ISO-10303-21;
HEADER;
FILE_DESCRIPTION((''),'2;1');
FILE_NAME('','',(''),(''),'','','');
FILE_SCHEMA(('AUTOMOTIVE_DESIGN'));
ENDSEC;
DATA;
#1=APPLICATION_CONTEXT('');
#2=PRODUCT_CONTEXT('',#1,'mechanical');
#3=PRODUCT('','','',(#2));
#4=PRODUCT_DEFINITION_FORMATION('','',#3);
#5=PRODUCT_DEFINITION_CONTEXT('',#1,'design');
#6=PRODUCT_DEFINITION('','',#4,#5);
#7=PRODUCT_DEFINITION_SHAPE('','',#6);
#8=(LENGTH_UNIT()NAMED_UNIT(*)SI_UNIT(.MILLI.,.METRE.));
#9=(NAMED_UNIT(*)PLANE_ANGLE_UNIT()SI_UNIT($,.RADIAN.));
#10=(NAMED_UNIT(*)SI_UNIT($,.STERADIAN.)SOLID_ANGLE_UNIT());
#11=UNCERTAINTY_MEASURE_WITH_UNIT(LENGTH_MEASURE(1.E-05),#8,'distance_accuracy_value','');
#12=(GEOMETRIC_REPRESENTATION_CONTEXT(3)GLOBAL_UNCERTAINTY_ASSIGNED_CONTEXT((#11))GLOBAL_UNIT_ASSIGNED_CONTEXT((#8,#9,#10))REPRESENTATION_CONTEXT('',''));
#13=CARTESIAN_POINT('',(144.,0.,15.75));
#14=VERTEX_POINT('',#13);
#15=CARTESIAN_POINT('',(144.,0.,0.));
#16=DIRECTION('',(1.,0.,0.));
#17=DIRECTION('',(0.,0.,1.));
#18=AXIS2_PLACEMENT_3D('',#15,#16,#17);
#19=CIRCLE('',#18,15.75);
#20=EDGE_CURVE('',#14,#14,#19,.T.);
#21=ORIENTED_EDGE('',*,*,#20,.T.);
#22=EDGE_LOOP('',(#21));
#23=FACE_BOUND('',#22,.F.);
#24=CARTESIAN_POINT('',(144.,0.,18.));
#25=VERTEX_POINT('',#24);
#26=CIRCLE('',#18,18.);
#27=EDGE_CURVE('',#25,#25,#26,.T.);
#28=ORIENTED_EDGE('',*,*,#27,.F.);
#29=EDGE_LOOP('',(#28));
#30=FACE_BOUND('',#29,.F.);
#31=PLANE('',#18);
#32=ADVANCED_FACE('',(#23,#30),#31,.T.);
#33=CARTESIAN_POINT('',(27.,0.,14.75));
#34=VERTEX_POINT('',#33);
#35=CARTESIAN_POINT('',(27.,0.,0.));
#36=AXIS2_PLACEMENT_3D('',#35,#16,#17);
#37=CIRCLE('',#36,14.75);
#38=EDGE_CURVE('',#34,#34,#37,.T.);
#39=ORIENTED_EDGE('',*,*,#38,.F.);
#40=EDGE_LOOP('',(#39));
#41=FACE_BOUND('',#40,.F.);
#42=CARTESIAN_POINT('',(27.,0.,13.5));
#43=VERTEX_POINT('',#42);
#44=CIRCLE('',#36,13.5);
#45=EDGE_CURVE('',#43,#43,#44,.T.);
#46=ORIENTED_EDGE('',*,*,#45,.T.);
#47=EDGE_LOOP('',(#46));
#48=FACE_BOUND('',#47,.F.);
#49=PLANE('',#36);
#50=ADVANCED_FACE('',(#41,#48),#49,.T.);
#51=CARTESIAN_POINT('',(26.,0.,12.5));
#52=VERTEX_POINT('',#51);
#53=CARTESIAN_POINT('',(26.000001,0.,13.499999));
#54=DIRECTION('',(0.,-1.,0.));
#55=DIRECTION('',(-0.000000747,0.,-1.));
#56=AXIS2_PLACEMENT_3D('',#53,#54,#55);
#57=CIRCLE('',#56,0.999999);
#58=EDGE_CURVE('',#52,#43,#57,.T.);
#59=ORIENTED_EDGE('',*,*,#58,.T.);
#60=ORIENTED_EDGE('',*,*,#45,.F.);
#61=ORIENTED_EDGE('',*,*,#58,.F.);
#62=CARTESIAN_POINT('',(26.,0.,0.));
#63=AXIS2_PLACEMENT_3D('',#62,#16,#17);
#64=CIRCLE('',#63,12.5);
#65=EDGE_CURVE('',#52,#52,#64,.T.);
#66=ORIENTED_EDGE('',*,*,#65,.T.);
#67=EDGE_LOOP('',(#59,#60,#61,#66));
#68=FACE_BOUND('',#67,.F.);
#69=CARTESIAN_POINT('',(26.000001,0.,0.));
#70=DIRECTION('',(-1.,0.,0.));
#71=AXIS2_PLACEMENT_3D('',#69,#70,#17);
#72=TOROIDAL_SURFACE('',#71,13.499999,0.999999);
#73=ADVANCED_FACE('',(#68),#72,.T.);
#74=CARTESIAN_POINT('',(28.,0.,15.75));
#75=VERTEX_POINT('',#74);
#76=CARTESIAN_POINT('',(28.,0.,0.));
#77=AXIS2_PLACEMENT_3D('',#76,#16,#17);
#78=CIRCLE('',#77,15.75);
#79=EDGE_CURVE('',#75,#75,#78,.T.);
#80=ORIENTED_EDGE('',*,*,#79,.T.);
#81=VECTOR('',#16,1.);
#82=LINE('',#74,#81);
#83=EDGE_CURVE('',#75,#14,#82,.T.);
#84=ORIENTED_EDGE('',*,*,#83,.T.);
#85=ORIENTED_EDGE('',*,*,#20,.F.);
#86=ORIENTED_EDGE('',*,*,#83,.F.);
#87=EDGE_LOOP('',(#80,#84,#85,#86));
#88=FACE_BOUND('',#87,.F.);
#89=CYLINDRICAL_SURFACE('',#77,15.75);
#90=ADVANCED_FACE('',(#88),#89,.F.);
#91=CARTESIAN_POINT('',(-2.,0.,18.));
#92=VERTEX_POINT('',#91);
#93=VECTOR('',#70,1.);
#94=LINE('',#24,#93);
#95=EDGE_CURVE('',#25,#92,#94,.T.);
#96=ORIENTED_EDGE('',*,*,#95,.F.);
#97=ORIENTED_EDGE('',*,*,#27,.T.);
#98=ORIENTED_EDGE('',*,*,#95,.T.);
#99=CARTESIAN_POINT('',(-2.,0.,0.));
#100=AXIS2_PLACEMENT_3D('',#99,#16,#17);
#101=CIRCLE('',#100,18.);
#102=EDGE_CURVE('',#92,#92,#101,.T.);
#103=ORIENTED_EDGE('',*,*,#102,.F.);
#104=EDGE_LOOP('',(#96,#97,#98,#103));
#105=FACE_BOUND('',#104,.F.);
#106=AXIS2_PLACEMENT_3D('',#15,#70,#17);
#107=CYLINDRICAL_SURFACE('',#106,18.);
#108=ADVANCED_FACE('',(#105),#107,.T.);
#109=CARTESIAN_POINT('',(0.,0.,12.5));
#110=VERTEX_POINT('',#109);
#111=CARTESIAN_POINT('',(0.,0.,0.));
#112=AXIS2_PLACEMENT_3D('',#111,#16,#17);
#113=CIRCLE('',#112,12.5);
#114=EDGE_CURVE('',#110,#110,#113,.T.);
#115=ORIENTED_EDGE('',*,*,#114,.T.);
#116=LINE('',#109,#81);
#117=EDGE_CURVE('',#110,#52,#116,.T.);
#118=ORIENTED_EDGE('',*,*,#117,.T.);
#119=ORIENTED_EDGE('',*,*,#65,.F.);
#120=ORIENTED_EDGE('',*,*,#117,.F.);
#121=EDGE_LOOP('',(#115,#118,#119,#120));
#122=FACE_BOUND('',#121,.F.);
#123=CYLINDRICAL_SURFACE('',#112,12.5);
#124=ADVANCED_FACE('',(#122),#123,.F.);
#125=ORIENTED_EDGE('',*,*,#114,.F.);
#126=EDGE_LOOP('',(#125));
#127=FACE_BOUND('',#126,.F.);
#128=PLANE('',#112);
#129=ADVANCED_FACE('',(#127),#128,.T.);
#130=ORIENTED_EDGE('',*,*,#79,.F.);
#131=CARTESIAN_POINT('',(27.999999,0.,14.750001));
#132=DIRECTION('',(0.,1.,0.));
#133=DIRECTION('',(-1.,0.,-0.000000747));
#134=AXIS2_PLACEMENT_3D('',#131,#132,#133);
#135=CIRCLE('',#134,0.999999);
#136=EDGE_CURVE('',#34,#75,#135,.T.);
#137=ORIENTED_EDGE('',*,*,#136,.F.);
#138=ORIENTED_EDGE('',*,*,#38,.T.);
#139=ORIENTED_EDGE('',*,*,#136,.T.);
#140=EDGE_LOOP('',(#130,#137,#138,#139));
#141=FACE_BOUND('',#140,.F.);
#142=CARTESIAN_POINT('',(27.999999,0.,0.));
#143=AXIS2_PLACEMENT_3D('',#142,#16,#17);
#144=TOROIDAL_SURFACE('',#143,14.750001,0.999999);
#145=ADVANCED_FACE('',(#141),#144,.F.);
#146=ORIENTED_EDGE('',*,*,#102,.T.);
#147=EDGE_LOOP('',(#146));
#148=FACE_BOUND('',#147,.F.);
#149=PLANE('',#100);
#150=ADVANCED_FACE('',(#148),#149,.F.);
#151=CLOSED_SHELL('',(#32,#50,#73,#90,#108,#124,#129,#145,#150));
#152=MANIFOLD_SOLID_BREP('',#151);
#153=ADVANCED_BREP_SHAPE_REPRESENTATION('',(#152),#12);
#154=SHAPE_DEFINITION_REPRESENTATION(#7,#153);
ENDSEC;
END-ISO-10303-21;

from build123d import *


with BuildPart() as f1:
    # F0 (on Front) → F1 (revolve)
    with BuildSketch(Plane.XZ):
        with BuildLine():
            Line((27, 13.5), (27, 14.75))
            ThreePointArc((27, 14.75), (27.292893, 15.457107), (28, 15.75))
            Line((28, 15.75), (144, 15.75))
            Line((144, 15.75), (144, 18))
            Line((144, 18), (-2, 18))
            Line((-2, 18), (-2, 0))
            Line((-2, 0), (0, 0))
            Line((0, 0), (0, 12.5))
            Line((0, 12.5), (26, 12.5))
            ThreePointArc((26, 12.5), (26.707107, 12.792893), (27, 13.5))
        make_face()
    revolve(axis=Axis((43.25, 0, 0), (1, 0, 0)))


solid = f1.part
